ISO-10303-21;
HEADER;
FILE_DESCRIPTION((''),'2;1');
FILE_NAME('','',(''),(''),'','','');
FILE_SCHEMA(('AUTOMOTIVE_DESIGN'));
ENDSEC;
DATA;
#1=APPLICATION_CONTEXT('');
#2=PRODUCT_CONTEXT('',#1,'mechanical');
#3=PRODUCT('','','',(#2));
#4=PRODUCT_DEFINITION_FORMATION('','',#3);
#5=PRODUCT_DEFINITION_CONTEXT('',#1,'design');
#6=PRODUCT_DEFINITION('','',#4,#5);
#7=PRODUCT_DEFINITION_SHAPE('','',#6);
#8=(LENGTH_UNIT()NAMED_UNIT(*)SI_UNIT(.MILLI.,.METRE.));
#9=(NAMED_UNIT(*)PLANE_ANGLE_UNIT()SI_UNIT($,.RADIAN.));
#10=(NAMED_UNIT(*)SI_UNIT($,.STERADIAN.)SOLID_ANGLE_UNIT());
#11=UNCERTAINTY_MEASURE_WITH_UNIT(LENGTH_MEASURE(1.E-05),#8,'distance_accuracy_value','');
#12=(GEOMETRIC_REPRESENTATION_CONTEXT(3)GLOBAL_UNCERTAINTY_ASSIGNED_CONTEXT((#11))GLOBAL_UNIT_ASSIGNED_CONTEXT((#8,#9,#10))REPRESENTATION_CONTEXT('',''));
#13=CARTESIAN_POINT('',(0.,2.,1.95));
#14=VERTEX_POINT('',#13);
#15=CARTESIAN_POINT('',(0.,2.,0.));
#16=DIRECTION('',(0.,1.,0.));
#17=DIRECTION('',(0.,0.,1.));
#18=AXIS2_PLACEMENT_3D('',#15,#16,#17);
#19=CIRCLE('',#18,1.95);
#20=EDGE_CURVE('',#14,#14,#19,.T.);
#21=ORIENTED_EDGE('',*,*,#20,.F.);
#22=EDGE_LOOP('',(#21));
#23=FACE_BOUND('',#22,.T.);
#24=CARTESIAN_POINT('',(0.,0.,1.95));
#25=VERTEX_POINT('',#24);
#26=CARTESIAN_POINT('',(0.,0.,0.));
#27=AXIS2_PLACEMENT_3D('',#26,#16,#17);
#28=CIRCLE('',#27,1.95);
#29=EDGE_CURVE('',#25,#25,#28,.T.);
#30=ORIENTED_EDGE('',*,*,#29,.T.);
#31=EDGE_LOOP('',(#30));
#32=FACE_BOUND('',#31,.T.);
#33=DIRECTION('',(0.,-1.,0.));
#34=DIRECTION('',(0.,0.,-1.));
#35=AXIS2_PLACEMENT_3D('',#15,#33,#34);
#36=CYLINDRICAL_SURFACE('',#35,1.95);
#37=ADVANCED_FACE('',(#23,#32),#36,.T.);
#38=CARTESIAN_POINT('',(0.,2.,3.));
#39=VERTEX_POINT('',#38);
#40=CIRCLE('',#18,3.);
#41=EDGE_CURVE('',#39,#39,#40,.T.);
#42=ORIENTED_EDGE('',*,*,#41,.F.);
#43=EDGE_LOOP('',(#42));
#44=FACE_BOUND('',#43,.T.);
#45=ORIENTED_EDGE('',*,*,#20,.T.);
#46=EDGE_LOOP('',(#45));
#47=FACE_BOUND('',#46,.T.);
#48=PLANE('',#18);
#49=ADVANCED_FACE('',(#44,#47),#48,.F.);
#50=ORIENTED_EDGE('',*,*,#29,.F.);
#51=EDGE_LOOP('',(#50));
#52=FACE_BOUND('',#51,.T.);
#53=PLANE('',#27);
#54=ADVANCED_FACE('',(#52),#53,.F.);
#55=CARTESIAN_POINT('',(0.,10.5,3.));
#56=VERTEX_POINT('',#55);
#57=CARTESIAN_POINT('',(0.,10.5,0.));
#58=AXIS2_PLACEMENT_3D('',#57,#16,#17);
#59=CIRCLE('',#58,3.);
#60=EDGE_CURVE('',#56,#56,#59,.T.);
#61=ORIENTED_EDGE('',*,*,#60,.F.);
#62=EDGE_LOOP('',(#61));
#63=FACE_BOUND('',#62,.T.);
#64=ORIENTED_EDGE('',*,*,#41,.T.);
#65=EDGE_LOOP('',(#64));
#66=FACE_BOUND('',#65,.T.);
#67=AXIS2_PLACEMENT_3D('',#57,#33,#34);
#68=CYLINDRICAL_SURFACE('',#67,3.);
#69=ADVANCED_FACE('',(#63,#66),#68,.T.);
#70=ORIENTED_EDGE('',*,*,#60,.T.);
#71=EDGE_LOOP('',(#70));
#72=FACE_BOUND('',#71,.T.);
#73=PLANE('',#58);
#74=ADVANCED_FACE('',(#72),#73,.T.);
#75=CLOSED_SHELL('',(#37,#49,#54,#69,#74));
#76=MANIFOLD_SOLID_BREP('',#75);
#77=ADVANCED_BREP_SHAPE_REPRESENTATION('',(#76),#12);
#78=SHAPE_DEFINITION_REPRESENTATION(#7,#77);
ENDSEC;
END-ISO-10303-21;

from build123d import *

# Parameters (mm, degrees)
SKETCH_1_R      = 1.95
EXTRUDE_1_DEPTH = 2
SKETCH_2_R      = 3
EXTRUDE_2_DEPTH = 8.5


with BuildPart() as part:
    # Эскиз1 → Бобышка-Вытянуть1 (new body)
    with BuildSketch(Plane(origin=(0, 0, 0), x_dir=(1, 0, 0), z_dir=(0, 1, 0))):
        Circle(SKETCH_1_R)
    extrude(amount=EXTRUDE_1_DEPTH)

    # Эскиз2 → Бобышка-Вытянуть2 (add)
    with BuildSketch(Plane(origin=(0, 2, 0), x_dir=(1, 0, 0), z_dir=(0, 1, 0))):
        Circle(SKETCH_2_R)
    extrude(amount=EXTRUDE_2_DEPTH)


solid = part.part
